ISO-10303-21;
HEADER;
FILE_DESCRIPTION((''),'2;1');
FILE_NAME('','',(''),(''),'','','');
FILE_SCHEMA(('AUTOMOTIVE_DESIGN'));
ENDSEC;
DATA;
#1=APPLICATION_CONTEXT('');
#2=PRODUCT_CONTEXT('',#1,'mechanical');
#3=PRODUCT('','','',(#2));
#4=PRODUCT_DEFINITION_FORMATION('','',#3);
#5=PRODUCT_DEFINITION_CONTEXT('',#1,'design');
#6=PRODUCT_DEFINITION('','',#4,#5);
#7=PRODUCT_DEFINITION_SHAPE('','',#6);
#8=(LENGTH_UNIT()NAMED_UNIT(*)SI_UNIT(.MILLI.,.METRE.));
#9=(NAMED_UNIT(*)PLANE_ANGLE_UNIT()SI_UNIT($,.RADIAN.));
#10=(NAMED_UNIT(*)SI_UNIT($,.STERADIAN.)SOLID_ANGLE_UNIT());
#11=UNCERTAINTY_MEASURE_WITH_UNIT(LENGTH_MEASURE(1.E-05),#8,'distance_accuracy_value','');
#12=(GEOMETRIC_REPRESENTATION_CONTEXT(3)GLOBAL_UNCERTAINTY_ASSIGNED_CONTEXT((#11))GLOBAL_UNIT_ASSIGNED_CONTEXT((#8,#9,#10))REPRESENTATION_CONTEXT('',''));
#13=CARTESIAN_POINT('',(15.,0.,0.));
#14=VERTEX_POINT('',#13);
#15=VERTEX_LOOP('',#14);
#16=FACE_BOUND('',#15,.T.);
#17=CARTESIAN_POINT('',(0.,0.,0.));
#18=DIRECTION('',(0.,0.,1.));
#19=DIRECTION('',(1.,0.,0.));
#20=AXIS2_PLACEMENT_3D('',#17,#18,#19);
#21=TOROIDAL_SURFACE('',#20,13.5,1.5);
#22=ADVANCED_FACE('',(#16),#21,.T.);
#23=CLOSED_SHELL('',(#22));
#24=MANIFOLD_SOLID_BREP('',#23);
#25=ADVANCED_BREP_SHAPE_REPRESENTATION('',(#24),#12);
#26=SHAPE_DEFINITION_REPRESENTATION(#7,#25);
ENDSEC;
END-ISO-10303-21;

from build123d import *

# Parameters (mm, degrees)
SKETCH1_R = 1.5


with BuildPart() as part:
    # Sketch1 → Revolve1 (revolve)
    with BuildSketch(Plane(origin=(0, 0, 0), x_dir=(0, -1, 0), z_dir=(1, 0, 0)), mode=Mode.PRIVATE) as revolve1_sk:
        with Locations((13.5, 0)):
            Circle(SKETCH1_R)
    revolve(revolve1_sk.sketch.rotate(Axis((0, 0, 1.5), (0, 0, -1)), 270), axis=Axis((0, 0, 1.5), (0, 0, -1)))


solid = part.part
